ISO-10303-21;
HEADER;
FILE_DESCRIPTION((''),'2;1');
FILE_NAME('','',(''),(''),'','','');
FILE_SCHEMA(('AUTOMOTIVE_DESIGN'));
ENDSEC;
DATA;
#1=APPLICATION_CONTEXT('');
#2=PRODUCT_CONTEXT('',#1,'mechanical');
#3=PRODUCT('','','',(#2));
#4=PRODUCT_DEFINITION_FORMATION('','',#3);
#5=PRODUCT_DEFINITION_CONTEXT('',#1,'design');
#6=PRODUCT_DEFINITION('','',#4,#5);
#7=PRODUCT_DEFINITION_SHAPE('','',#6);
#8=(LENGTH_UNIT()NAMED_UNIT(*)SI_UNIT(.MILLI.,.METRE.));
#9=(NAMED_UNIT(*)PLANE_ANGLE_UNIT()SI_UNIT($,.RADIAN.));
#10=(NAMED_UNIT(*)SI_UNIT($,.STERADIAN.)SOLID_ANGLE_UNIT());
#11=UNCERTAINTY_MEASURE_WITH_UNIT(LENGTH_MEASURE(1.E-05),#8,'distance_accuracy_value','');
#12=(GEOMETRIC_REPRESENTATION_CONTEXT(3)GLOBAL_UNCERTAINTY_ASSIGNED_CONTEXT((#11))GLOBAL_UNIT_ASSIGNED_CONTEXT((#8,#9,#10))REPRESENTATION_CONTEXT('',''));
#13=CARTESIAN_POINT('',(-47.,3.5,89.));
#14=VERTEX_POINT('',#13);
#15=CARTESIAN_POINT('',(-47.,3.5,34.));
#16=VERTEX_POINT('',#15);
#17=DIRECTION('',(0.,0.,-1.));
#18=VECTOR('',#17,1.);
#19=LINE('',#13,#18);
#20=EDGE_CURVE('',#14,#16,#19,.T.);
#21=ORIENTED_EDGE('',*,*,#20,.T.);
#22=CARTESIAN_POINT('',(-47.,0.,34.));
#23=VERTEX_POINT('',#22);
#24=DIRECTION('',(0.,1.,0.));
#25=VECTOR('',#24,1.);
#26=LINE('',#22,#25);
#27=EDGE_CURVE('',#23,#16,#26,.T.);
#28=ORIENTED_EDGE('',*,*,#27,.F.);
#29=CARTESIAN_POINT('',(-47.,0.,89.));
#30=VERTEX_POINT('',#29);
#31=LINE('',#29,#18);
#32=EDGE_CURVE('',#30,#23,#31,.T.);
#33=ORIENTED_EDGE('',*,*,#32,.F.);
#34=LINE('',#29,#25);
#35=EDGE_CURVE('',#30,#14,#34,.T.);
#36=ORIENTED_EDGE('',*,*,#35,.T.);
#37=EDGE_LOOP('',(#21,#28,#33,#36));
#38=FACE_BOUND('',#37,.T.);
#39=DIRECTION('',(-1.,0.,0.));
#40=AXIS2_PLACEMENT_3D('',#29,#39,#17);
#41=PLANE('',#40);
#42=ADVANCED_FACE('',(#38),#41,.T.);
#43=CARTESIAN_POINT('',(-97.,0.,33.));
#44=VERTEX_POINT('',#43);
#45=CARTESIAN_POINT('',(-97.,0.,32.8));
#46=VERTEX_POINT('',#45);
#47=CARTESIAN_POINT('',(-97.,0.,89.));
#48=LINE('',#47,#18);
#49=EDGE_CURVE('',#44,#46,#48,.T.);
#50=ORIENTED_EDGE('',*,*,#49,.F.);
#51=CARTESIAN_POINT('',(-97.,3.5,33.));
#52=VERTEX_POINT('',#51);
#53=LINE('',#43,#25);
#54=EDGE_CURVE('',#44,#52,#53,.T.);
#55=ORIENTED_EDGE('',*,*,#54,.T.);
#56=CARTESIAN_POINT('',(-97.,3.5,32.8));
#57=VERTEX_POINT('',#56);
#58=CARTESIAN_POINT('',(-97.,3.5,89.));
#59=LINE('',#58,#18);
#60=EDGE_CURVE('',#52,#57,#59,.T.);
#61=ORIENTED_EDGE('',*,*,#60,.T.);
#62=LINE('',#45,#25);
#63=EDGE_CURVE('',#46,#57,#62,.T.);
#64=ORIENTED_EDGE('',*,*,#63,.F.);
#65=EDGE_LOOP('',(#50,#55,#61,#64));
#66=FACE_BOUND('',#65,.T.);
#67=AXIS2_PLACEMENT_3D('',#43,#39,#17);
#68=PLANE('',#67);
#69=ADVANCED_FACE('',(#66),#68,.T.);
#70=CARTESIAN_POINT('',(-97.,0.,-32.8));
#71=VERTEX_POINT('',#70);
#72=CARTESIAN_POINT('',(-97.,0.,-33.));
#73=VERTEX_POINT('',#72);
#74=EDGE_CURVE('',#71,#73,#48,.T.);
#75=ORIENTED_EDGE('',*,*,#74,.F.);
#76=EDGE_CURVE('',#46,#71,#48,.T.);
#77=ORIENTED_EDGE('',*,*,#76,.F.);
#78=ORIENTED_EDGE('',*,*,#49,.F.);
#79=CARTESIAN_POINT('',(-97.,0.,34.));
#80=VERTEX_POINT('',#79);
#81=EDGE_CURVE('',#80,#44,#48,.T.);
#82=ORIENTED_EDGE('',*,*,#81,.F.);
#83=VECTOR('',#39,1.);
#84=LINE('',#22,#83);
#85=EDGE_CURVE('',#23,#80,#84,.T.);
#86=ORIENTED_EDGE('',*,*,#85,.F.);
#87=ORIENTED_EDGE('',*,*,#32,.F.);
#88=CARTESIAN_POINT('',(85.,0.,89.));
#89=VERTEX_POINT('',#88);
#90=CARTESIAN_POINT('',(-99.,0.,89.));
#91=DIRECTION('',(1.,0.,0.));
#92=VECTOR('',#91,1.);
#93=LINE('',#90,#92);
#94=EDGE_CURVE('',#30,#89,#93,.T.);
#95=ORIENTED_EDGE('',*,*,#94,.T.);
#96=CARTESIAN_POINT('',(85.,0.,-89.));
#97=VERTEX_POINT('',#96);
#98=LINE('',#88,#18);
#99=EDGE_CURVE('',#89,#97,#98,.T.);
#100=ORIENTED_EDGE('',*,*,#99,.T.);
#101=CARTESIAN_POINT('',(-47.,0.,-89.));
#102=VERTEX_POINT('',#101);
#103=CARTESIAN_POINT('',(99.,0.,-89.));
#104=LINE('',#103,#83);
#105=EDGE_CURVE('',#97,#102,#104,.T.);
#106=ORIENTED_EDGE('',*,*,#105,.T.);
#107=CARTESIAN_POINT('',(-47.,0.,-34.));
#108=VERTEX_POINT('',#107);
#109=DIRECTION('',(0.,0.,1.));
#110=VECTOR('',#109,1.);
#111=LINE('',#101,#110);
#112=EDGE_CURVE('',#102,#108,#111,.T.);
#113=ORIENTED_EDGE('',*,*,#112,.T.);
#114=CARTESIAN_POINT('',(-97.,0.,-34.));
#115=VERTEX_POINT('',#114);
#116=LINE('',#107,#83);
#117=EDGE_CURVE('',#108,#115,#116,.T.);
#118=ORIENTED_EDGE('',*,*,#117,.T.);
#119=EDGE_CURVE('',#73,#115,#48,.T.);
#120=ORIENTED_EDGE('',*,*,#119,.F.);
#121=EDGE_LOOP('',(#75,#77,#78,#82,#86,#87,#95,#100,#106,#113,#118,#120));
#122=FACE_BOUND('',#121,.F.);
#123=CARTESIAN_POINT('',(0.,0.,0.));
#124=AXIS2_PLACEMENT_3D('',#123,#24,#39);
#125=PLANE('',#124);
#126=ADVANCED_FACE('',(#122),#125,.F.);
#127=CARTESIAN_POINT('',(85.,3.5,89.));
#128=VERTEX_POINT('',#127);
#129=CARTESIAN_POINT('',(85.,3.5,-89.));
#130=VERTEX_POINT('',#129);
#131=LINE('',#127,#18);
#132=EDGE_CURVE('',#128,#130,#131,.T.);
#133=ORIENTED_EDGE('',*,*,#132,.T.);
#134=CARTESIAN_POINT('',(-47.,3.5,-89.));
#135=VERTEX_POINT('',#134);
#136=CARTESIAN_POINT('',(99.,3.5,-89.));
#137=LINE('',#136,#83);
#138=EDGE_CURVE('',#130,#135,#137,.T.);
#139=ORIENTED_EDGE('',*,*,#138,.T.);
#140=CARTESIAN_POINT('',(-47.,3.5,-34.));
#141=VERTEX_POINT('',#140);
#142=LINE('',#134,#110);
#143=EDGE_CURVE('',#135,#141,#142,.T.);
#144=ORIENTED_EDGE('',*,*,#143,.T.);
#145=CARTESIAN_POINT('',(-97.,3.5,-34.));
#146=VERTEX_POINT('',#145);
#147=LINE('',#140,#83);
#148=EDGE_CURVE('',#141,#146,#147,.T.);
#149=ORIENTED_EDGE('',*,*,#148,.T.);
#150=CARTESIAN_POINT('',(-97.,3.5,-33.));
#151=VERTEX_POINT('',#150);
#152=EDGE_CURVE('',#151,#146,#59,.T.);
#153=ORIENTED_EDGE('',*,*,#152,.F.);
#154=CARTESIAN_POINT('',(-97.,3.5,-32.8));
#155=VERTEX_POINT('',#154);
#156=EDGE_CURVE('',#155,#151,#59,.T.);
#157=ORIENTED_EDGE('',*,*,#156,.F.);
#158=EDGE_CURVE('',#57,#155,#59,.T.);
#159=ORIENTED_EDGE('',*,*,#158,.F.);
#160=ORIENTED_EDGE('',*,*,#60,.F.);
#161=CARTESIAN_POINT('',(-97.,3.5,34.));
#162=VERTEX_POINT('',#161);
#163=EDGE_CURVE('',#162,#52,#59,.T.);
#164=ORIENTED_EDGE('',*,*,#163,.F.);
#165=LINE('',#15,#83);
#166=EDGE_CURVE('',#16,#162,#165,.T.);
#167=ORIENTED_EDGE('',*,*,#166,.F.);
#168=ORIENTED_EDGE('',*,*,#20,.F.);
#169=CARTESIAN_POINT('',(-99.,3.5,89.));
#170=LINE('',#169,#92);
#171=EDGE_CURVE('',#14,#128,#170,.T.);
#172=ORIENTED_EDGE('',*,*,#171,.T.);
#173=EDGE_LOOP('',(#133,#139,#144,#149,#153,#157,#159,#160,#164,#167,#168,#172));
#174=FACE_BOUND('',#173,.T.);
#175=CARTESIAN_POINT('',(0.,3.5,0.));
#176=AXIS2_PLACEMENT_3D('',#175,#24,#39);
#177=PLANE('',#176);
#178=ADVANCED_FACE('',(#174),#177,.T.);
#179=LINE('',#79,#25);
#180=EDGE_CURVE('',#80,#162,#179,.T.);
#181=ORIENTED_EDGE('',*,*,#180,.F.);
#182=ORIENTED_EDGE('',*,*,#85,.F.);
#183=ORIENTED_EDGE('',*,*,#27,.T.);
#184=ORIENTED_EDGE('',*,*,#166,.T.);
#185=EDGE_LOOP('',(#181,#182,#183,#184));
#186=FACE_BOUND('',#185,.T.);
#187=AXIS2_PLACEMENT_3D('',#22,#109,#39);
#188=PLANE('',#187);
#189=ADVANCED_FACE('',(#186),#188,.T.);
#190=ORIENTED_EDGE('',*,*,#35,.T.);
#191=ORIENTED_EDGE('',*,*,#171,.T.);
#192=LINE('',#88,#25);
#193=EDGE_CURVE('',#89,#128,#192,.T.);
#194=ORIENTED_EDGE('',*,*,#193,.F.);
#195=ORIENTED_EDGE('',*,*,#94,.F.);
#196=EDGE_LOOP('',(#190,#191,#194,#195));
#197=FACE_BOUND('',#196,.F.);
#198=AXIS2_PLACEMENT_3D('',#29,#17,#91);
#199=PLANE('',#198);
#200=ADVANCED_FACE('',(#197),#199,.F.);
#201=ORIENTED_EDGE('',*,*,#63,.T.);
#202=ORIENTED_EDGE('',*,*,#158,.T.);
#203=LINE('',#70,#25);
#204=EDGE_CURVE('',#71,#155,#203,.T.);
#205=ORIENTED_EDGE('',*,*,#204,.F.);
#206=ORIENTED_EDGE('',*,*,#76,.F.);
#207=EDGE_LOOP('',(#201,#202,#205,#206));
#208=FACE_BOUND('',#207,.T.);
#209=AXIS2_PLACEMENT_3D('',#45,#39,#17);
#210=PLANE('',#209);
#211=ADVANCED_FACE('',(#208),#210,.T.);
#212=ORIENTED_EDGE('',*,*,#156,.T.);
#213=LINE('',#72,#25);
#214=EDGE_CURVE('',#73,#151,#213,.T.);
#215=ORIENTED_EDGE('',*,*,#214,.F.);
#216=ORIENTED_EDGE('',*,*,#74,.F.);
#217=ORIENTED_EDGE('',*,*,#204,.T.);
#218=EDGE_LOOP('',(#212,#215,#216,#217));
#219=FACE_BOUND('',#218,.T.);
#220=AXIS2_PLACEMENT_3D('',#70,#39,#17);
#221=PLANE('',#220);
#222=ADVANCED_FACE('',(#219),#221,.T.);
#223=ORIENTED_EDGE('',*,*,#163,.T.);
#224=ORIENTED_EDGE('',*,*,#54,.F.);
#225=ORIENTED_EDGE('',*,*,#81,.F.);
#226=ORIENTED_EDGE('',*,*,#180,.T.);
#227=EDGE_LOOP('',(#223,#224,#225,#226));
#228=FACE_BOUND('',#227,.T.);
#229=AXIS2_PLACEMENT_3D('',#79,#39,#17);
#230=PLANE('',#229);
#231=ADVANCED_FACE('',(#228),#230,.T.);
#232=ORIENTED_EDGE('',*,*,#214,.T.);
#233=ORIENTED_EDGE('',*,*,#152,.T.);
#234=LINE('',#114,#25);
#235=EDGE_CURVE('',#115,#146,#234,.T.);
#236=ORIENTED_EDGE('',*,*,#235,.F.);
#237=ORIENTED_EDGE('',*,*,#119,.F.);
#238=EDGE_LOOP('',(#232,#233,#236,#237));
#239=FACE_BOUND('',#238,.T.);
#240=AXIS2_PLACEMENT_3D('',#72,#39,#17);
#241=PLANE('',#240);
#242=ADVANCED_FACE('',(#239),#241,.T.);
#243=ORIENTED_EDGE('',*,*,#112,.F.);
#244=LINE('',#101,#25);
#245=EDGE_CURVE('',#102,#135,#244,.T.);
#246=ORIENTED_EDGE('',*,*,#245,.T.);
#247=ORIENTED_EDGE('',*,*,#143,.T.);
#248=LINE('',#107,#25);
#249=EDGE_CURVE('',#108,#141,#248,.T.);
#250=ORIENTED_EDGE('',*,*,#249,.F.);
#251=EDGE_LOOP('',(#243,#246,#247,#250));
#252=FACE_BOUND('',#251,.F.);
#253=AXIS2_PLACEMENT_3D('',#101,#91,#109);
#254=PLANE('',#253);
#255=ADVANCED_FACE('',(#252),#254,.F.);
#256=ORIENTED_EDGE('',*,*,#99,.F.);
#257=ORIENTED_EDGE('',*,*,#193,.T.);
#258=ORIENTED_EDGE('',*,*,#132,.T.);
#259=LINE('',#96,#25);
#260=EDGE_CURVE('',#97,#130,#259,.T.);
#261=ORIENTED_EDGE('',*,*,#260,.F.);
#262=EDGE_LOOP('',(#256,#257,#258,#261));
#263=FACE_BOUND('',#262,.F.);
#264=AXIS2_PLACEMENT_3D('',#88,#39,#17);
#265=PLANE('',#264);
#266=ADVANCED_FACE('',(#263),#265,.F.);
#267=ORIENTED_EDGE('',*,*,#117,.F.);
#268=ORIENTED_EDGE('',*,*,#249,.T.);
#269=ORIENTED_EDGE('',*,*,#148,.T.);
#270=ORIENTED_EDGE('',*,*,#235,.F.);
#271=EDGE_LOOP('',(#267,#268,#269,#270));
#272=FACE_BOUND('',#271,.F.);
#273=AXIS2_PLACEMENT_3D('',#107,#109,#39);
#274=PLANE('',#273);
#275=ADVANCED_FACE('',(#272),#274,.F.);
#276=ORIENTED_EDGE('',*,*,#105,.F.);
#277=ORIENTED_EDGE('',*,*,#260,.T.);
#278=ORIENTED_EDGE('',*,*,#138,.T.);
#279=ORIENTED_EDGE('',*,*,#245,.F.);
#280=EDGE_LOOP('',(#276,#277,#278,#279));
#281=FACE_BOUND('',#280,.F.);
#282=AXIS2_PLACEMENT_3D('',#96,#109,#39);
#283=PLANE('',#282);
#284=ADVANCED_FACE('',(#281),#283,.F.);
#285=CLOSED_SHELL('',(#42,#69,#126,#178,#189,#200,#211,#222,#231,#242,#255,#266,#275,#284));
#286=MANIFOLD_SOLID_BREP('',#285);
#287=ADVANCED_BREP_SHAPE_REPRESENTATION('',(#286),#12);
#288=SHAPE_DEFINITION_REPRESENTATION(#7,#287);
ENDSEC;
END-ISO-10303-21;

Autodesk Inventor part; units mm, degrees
ref_plane "YZ Plane" through (0, 0, 0) normal (1, 0, 0) x (0, 1, 0)
ref_plane "XZ Plane" through (0, 0, 0) normal (0, 1, 0) x (-1, 0, 0)
ref_plane "XY Plane" through (0, 0, 0) normal (0, 0, 1) x (1, 0, 0)
sketch "Sketch1" plane through (0, 0, 0) normal (0, 1, 0) x (-1, 0, 0)
  line L0 (99, 89) -> (-99, 89)
  line L1 (-99, 89) -> (-99, -89)
  line L2 (-99, -89) -> (99, -89)
  line L3 (99, -89) -> (99, 89)
  line L4 (99, 89) -> (-99, -89) construction
  line L5 (-99, 89) -> (99, -89) construction
  line L6 (-99, 89) -> (-85, 89)
  line L7 (-85, 89) -> (-85, -89)
  line L8 (-85, -89) -> (-99, -89)
  line L9 (-99, -89) -> (-99, 89)
  line L10 (99, 89) -> (97, 89)
  line L11 (97, 89) -> (97, -89)
  line L12 (97, -89) -> (99, -89)
  line L13 (99, -89) -> (99, 89)
  line L14 (97, 33) -> (97, 35)
  line L15 (97, -33) -> (97, -35)
  line L16 (97, 32.8) -> (97, 35)
  line L17 (97, -32.8) -> (97, -35)
  line L18 (97, 89) -> (47, 89)
  line L19 (47, 89) -> (47, 34)
  line L20 (47, 34) -> (97, 34)
  line L21 (97, 34) -> (97, 89)
  line L22 (97, -89) -> (47, -89)
  line L23 (47, -89) -> (47, -34)
  line L24 (47, -34) -> (97, -34)
  line L25 (97, -34) -> (97, -89)
  line L26 (66.5, 33) -> (77.5, 33) projected
  line L27 (77.5, -33) -> (66.5, -33) projected
  point P0 (0, 0)
  point P1 (47, 89)
  point P2 (47, -89)
  point P3 (97, 34)
  dimension "d0" = 198
  dimension "d1" = 178
  dimension "d2" = 14
  dimension "d3" = 2
  dimension "d16" = 50
  dimension "d17" = 55
  dimension "d18" = 50
  dimension "d19" = 55
  dimension "d20" = 1
  dimension "d21" = 1
extrude "Extrusion1" add sketch "Sketch1" along normal blind 3.5 contours L19 L20 L11 L24 L23 L2 L7 L0
properties part number "base" material "Nylon 6/6"
